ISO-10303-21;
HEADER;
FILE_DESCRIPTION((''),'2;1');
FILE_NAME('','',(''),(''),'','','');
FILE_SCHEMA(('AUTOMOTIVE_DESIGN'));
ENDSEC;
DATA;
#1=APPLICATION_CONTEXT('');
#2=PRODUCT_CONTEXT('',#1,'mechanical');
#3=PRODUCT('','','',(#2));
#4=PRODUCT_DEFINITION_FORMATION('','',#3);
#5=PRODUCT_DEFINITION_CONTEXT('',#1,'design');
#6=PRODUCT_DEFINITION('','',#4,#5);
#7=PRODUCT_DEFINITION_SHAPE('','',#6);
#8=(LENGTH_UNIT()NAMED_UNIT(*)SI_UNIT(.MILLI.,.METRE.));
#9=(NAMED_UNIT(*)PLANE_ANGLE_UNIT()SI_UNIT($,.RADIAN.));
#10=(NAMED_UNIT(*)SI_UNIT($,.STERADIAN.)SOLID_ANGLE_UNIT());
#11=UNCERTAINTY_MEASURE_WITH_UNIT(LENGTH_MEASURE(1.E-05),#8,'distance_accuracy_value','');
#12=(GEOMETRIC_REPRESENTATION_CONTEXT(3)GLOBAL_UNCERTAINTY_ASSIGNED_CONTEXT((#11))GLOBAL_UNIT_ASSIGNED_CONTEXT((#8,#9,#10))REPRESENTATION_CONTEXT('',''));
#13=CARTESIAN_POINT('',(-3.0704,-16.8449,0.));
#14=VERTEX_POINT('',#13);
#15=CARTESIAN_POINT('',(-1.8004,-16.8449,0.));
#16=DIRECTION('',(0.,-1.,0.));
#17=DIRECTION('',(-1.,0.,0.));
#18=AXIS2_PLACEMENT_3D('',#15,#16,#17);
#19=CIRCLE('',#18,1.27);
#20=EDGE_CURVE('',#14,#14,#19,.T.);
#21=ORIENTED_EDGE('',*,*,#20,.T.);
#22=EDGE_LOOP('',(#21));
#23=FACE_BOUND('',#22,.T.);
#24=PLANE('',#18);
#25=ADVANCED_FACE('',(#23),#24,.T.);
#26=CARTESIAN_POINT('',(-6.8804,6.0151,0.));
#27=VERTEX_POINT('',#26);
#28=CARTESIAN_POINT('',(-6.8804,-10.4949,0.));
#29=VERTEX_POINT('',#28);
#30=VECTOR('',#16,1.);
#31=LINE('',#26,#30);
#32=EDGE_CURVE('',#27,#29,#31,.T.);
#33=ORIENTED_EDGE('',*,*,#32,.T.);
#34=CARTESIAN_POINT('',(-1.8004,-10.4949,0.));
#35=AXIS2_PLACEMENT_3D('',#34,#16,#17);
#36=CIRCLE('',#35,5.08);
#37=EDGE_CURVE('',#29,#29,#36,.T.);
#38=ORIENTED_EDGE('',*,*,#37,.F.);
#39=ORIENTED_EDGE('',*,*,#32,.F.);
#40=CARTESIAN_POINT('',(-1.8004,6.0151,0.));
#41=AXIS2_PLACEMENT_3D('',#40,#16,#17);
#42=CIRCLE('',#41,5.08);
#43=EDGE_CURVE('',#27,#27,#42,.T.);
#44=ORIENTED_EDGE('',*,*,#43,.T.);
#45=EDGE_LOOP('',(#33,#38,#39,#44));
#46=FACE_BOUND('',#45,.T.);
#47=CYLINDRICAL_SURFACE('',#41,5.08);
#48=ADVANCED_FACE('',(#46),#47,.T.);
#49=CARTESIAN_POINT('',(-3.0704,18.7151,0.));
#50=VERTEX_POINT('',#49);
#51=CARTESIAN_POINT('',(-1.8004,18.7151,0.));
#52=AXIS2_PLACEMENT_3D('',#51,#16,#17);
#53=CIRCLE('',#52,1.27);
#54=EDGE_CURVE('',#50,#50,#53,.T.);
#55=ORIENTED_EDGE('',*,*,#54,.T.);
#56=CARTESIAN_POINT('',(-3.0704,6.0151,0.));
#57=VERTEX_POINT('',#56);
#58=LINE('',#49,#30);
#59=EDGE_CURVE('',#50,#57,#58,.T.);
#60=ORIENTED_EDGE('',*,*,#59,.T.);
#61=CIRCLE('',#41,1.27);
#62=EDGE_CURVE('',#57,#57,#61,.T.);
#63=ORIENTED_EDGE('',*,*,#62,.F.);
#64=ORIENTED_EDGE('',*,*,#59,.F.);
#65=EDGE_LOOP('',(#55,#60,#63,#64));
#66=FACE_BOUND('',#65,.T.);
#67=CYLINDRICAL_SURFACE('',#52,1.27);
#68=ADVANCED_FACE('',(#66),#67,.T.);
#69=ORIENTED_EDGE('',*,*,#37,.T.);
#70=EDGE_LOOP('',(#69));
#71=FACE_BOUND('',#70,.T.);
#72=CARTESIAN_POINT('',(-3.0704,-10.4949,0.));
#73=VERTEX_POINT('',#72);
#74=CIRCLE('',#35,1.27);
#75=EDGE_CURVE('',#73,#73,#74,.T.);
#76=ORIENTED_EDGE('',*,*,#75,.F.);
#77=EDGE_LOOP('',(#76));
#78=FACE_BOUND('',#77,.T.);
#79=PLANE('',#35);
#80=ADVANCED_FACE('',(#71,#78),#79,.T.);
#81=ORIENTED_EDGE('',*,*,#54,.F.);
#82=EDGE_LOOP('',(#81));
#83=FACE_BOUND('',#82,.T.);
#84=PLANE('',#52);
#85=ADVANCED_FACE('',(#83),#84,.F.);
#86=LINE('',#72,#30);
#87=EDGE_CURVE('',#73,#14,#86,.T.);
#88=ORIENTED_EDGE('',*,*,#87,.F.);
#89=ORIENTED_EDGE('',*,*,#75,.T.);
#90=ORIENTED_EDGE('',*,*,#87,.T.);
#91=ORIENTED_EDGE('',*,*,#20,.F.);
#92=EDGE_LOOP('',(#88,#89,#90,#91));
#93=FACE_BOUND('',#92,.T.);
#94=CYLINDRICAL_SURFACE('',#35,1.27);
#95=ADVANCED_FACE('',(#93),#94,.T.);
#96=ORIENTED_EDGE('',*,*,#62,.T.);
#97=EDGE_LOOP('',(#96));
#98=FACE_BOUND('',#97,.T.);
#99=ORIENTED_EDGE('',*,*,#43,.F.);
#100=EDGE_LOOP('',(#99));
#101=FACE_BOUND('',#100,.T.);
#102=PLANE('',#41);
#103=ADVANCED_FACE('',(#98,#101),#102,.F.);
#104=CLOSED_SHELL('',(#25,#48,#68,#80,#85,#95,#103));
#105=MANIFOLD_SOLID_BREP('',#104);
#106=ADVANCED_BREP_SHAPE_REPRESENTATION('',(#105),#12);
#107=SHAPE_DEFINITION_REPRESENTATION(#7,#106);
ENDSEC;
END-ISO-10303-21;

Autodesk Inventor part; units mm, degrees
ref_plane "XZ Plane" through (0, 0, 0) normal (0, 1, 0) x (-1, 0, 0)
ref_plane "XY Plane" through (0, 0, 0) normal (0, 0, 1) x (1, 0, 0)
sketch "Sketch1" plane through (0, 0, 0) normal (0, 0, 1) x (1, 0, 0)
  line L0 (-3.0704, 18.7151) -> (-3.0704, 6.0151)
  line L1 (-3.0704, 6.0151) -> (-6.8804, 6.0151)
  line L2 (-6.8804, 6.0151) -> (-6.8804, -10.4949)
  line L3 (-6.8804, -10.4949) -> (-3.0704, -10.4949)
  line L4 (-3.0704, -10.4949) -> (-3.0704, -16.8449)
  line L5 (-3.0704, -16.8449) -> (-1.8004, -16.8449)
  line L6 (-1.8004, 18.7151) -> (-3.0704, 18.7151)
  line L7 (-1.8004, 18.7151) -> (-1.8004, -16.8449)
  dimension "d0" = 16.51
  dimension "d1" = 12.7
  dimension "d3" = 1.27
  dimension "d8" = 5.08
  dimension "d9" = 6.35
revolve "Revolution1" add sketch "Sketch1" angle 360 about axis through (-1.8004, 18.7151, 0) along (0, -1, 0)
properties part number "roll1"
